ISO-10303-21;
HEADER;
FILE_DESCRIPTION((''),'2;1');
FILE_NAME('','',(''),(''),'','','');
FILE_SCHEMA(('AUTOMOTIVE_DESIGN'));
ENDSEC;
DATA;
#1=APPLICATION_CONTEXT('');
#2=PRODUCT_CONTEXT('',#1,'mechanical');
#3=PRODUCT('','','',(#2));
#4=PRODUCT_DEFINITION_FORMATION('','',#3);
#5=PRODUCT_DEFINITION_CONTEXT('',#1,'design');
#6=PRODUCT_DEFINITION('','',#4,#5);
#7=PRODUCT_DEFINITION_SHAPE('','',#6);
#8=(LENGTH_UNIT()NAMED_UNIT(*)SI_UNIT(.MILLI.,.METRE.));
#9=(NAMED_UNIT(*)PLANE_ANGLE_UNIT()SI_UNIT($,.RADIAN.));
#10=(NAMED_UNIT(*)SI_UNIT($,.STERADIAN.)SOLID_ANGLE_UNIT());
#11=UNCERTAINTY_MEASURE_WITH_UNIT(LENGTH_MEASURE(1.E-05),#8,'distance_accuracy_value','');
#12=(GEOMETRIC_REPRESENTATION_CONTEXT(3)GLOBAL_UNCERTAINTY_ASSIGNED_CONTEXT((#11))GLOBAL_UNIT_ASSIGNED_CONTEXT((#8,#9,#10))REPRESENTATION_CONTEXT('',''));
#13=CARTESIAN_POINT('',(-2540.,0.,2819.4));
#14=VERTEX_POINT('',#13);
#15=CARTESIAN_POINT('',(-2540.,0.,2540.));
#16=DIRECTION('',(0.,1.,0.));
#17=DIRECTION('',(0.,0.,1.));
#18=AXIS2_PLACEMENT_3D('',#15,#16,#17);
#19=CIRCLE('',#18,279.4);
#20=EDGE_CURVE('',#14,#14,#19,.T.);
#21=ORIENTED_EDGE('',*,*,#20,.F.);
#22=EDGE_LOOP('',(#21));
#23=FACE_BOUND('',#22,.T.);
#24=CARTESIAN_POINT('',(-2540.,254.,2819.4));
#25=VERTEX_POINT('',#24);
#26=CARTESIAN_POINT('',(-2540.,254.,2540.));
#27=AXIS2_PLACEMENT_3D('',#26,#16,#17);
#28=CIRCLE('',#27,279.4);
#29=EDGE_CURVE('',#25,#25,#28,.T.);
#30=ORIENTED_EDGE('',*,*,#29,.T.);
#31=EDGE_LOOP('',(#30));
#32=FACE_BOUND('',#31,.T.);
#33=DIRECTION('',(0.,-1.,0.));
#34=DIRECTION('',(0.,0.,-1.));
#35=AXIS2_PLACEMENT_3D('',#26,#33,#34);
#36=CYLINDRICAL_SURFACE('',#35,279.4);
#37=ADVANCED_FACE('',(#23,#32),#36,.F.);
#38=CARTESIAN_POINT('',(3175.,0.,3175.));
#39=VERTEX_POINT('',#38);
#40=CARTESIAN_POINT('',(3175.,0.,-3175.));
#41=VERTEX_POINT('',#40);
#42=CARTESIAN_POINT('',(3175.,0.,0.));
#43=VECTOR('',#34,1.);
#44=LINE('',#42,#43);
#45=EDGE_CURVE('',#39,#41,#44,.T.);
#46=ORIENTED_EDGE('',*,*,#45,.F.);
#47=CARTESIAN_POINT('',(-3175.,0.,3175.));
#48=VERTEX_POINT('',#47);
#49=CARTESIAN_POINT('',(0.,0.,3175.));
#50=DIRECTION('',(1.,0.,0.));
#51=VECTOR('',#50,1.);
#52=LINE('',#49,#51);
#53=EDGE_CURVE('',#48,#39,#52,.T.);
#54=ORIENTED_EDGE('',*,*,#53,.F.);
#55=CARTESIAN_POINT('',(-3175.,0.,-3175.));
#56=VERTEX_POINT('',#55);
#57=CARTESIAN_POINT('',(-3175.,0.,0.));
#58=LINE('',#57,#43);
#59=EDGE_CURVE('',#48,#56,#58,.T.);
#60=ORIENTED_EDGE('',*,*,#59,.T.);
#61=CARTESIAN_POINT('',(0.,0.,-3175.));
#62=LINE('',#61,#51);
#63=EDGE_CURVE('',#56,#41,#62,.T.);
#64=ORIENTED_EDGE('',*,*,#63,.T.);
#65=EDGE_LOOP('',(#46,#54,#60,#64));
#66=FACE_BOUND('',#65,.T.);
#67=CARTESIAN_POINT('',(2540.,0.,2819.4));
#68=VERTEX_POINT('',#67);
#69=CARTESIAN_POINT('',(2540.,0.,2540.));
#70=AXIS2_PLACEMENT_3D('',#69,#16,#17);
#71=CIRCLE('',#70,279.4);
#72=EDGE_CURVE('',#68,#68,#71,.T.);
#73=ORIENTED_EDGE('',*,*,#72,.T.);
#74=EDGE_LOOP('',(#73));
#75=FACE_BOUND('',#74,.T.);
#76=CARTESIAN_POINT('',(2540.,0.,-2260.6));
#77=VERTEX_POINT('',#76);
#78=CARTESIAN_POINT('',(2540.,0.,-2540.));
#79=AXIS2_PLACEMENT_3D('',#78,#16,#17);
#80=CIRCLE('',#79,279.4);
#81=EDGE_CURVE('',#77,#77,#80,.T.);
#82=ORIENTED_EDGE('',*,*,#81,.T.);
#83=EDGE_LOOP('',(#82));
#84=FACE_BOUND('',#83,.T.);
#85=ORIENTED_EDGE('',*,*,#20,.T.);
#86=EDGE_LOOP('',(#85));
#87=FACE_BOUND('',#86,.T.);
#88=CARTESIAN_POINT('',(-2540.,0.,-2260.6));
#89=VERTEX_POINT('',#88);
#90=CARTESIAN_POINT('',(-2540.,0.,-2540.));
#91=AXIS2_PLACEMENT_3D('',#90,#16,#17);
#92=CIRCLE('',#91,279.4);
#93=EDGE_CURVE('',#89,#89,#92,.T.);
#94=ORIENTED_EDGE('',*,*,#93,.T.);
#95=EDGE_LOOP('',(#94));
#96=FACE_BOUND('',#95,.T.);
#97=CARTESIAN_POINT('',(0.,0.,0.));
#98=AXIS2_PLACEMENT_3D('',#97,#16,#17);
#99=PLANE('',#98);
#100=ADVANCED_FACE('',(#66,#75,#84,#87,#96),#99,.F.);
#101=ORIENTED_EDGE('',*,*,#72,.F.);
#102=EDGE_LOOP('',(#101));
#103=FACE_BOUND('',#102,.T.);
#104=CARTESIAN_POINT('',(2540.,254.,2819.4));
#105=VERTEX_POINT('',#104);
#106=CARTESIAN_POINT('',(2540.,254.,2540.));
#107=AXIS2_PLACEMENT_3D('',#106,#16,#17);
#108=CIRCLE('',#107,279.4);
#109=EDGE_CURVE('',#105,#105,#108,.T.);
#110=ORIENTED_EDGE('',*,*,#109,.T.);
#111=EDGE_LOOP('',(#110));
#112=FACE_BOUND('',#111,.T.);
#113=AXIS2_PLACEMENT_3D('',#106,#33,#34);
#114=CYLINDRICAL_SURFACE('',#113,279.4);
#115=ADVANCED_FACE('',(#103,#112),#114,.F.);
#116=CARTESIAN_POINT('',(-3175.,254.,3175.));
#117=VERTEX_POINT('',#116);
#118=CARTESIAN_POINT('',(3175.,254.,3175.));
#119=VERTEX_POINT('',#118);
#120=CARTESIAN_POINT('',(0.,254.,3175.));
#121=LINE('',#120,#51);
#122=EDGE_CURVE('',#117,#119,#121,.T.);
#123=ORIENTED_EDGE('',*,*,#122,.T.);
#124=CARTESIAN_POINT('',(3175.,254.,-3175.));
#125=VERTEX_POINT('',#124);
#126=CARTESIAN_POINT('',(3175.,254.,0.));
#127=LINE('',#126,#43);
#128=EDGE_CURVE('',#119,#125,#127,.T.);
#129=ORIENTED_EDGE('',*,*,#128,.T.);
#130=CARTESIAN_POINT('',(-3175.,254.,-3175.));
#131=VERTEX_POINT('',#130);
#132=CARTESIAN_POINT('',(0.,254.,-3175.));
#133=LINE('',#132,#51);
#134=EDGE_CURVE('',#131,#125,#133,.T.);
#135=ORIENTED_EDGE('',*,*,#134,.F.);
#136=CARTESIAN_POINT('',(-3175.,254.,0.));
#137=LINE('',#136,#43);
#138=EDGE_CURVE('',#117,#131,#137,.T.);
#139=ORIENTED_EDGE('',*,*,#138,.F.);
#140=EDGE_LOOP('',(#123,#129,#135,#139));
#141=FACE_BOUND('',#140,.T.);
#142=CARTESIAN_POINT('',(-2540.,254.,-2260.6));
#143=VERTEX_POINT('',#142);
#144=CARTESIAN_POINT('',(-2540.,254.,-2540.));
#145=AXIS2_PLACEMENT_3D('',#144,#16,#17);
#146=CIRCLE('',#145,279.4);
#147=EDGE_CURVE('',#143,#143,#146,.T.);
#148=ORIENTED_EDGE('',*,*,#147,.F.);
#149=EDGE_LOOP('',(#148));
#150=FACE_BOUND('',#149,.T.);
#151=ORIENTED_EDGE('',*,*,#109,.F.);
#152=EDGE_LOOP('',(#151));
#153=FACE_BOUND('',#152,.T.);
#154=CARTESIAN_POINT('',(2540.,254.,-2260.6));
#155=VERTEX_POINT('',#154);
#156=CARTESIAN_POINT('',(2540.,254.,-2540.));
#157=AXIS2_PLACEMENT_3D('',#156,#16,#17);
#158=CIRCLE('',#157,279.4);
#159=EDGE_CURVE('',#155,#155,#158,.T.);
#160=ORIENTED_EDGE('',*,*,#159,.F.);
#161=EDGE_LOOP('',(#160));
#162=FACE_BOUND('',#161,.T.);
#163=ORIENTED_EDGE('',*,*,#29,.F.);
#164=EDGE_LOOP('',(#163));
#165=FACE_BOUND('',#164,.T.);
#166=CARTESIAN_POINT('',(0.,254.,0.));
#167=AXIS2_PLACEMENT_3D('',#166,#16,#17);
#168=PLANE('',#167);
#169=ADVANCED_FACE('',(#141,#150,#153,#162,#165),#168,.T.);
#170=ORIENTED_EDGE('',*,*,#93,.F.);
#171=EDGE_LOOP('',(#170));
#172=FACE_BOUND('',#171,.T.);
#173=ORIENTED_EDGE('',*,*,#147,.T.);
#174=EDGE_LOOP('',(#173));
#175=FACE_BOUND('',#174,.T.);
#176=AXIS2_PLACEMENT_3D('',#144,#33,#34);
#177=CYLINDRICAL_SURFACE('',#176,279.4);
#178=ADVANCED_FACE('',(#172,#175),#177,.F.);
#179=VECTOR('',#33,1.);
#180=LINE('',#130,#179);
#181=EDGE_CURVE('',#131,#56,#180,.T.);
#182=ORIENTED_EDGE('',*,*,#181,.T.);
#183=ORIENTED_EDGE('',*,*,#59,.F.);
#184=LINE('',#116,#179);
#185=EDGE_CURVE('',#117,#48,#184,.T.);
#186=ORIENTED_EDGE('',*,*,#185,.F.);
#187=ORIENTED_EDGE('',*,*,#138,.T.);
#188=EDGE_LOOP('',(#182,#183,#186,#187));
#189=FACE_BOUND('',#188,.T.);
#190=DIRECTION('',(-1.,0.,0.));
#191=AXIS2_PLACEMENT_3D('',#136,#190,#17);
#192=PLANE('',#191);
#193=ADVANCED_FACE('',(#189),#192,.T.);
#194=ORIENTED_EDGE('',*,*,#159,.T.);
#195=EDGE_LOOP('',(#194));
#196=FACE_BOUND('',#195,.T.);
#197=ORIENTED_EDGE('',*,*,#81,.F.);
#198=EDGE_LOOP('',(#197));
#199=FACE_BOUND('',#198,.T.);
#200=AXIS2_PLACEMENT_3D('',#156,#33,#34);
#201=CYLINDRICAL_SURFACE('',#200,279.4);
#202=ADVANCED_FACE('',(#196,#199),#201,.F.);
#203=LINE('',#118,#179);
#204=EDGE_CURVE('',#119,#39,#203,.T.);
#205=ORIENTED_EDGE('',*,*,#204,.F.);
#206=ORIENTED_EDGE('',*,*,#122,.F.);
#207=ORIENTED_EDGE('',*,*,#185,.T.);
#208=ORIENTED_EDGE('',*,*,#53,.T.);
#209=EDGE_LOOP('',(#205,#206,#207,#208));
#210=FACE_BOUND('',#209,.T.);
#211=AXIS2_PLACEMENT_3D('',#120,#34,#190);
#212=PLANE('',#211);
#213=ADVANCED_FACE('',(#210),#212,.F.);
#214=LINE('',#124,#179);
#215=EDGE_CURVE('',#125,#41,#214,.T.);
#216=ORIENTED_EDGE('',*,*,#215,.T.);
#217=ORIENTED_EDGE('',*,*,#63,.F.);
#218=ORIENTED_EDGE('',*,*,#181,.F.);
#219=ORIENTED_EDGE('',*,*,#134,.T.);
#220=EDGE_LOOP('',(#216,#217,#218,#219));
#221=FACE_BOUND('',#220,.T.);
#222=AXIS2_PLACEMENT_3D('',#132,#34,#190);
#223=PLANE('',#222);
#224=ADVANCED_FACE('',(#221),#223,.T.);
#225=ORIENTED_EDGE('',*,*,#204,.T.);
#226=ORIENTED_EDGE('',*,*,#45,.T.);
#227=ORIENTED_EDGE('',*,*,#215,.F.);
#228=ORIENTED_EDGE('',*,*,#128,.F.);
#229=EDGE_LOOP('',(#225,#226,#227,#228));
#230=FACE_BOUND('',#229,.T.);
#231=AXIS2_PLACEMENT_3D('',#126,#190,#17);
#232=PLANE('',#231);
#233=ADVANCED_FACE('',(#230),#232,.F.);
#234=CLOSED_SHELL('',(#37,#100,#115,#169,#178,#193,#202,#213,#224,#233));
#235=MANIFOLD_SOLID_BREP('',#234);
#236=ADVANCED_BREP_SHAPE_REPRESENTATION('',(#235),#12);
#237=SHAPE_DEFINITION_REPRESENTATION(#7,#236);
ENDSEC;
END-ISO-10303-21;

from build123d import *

# Parameters (mm, degrees)
SKETCH1_W           = 6350
SKETCH1_H           = 6350
SKETCH1_R           = 279.4
BOSS_EXTRUDE1_DEPTH = 254


with BuildPart() as part:
    # Sketch1 → Boss-Extrude1 (new body)
    with BuildSketch(Plane(origin=(0, 0, 0), x_dir=(1, 0, 0), z_dir=(0, 1, 0))):
        Rectangle(SKETCH1_W, SKETCH1_H)
        with Locations(Location((-2540, -2540, 0), (0, 0, 270))):
            Circle(SKETCH1_R, mode=Mode.SUBTRACT)
        with Locations(Location((-2540, 2540, 0), (0, 0, 270))):
            Circle(SKETCH1_R, mode=Mode.SUBTRACT)
        with Locations(Location((2540, 2540, 0), (0, 0, 270))):
            Circle(SKETCH1_R, mode=Mode.SUBTRACT)
        with Locations(Location((2540, -2540, 0), (0, 0, 270))):
            Circle(SKETCH1_R, mode=Mode.SUBTRACT)
    extrude(amount=BOSS_EXTRUDE1_DEPTH)


solid = part.part
